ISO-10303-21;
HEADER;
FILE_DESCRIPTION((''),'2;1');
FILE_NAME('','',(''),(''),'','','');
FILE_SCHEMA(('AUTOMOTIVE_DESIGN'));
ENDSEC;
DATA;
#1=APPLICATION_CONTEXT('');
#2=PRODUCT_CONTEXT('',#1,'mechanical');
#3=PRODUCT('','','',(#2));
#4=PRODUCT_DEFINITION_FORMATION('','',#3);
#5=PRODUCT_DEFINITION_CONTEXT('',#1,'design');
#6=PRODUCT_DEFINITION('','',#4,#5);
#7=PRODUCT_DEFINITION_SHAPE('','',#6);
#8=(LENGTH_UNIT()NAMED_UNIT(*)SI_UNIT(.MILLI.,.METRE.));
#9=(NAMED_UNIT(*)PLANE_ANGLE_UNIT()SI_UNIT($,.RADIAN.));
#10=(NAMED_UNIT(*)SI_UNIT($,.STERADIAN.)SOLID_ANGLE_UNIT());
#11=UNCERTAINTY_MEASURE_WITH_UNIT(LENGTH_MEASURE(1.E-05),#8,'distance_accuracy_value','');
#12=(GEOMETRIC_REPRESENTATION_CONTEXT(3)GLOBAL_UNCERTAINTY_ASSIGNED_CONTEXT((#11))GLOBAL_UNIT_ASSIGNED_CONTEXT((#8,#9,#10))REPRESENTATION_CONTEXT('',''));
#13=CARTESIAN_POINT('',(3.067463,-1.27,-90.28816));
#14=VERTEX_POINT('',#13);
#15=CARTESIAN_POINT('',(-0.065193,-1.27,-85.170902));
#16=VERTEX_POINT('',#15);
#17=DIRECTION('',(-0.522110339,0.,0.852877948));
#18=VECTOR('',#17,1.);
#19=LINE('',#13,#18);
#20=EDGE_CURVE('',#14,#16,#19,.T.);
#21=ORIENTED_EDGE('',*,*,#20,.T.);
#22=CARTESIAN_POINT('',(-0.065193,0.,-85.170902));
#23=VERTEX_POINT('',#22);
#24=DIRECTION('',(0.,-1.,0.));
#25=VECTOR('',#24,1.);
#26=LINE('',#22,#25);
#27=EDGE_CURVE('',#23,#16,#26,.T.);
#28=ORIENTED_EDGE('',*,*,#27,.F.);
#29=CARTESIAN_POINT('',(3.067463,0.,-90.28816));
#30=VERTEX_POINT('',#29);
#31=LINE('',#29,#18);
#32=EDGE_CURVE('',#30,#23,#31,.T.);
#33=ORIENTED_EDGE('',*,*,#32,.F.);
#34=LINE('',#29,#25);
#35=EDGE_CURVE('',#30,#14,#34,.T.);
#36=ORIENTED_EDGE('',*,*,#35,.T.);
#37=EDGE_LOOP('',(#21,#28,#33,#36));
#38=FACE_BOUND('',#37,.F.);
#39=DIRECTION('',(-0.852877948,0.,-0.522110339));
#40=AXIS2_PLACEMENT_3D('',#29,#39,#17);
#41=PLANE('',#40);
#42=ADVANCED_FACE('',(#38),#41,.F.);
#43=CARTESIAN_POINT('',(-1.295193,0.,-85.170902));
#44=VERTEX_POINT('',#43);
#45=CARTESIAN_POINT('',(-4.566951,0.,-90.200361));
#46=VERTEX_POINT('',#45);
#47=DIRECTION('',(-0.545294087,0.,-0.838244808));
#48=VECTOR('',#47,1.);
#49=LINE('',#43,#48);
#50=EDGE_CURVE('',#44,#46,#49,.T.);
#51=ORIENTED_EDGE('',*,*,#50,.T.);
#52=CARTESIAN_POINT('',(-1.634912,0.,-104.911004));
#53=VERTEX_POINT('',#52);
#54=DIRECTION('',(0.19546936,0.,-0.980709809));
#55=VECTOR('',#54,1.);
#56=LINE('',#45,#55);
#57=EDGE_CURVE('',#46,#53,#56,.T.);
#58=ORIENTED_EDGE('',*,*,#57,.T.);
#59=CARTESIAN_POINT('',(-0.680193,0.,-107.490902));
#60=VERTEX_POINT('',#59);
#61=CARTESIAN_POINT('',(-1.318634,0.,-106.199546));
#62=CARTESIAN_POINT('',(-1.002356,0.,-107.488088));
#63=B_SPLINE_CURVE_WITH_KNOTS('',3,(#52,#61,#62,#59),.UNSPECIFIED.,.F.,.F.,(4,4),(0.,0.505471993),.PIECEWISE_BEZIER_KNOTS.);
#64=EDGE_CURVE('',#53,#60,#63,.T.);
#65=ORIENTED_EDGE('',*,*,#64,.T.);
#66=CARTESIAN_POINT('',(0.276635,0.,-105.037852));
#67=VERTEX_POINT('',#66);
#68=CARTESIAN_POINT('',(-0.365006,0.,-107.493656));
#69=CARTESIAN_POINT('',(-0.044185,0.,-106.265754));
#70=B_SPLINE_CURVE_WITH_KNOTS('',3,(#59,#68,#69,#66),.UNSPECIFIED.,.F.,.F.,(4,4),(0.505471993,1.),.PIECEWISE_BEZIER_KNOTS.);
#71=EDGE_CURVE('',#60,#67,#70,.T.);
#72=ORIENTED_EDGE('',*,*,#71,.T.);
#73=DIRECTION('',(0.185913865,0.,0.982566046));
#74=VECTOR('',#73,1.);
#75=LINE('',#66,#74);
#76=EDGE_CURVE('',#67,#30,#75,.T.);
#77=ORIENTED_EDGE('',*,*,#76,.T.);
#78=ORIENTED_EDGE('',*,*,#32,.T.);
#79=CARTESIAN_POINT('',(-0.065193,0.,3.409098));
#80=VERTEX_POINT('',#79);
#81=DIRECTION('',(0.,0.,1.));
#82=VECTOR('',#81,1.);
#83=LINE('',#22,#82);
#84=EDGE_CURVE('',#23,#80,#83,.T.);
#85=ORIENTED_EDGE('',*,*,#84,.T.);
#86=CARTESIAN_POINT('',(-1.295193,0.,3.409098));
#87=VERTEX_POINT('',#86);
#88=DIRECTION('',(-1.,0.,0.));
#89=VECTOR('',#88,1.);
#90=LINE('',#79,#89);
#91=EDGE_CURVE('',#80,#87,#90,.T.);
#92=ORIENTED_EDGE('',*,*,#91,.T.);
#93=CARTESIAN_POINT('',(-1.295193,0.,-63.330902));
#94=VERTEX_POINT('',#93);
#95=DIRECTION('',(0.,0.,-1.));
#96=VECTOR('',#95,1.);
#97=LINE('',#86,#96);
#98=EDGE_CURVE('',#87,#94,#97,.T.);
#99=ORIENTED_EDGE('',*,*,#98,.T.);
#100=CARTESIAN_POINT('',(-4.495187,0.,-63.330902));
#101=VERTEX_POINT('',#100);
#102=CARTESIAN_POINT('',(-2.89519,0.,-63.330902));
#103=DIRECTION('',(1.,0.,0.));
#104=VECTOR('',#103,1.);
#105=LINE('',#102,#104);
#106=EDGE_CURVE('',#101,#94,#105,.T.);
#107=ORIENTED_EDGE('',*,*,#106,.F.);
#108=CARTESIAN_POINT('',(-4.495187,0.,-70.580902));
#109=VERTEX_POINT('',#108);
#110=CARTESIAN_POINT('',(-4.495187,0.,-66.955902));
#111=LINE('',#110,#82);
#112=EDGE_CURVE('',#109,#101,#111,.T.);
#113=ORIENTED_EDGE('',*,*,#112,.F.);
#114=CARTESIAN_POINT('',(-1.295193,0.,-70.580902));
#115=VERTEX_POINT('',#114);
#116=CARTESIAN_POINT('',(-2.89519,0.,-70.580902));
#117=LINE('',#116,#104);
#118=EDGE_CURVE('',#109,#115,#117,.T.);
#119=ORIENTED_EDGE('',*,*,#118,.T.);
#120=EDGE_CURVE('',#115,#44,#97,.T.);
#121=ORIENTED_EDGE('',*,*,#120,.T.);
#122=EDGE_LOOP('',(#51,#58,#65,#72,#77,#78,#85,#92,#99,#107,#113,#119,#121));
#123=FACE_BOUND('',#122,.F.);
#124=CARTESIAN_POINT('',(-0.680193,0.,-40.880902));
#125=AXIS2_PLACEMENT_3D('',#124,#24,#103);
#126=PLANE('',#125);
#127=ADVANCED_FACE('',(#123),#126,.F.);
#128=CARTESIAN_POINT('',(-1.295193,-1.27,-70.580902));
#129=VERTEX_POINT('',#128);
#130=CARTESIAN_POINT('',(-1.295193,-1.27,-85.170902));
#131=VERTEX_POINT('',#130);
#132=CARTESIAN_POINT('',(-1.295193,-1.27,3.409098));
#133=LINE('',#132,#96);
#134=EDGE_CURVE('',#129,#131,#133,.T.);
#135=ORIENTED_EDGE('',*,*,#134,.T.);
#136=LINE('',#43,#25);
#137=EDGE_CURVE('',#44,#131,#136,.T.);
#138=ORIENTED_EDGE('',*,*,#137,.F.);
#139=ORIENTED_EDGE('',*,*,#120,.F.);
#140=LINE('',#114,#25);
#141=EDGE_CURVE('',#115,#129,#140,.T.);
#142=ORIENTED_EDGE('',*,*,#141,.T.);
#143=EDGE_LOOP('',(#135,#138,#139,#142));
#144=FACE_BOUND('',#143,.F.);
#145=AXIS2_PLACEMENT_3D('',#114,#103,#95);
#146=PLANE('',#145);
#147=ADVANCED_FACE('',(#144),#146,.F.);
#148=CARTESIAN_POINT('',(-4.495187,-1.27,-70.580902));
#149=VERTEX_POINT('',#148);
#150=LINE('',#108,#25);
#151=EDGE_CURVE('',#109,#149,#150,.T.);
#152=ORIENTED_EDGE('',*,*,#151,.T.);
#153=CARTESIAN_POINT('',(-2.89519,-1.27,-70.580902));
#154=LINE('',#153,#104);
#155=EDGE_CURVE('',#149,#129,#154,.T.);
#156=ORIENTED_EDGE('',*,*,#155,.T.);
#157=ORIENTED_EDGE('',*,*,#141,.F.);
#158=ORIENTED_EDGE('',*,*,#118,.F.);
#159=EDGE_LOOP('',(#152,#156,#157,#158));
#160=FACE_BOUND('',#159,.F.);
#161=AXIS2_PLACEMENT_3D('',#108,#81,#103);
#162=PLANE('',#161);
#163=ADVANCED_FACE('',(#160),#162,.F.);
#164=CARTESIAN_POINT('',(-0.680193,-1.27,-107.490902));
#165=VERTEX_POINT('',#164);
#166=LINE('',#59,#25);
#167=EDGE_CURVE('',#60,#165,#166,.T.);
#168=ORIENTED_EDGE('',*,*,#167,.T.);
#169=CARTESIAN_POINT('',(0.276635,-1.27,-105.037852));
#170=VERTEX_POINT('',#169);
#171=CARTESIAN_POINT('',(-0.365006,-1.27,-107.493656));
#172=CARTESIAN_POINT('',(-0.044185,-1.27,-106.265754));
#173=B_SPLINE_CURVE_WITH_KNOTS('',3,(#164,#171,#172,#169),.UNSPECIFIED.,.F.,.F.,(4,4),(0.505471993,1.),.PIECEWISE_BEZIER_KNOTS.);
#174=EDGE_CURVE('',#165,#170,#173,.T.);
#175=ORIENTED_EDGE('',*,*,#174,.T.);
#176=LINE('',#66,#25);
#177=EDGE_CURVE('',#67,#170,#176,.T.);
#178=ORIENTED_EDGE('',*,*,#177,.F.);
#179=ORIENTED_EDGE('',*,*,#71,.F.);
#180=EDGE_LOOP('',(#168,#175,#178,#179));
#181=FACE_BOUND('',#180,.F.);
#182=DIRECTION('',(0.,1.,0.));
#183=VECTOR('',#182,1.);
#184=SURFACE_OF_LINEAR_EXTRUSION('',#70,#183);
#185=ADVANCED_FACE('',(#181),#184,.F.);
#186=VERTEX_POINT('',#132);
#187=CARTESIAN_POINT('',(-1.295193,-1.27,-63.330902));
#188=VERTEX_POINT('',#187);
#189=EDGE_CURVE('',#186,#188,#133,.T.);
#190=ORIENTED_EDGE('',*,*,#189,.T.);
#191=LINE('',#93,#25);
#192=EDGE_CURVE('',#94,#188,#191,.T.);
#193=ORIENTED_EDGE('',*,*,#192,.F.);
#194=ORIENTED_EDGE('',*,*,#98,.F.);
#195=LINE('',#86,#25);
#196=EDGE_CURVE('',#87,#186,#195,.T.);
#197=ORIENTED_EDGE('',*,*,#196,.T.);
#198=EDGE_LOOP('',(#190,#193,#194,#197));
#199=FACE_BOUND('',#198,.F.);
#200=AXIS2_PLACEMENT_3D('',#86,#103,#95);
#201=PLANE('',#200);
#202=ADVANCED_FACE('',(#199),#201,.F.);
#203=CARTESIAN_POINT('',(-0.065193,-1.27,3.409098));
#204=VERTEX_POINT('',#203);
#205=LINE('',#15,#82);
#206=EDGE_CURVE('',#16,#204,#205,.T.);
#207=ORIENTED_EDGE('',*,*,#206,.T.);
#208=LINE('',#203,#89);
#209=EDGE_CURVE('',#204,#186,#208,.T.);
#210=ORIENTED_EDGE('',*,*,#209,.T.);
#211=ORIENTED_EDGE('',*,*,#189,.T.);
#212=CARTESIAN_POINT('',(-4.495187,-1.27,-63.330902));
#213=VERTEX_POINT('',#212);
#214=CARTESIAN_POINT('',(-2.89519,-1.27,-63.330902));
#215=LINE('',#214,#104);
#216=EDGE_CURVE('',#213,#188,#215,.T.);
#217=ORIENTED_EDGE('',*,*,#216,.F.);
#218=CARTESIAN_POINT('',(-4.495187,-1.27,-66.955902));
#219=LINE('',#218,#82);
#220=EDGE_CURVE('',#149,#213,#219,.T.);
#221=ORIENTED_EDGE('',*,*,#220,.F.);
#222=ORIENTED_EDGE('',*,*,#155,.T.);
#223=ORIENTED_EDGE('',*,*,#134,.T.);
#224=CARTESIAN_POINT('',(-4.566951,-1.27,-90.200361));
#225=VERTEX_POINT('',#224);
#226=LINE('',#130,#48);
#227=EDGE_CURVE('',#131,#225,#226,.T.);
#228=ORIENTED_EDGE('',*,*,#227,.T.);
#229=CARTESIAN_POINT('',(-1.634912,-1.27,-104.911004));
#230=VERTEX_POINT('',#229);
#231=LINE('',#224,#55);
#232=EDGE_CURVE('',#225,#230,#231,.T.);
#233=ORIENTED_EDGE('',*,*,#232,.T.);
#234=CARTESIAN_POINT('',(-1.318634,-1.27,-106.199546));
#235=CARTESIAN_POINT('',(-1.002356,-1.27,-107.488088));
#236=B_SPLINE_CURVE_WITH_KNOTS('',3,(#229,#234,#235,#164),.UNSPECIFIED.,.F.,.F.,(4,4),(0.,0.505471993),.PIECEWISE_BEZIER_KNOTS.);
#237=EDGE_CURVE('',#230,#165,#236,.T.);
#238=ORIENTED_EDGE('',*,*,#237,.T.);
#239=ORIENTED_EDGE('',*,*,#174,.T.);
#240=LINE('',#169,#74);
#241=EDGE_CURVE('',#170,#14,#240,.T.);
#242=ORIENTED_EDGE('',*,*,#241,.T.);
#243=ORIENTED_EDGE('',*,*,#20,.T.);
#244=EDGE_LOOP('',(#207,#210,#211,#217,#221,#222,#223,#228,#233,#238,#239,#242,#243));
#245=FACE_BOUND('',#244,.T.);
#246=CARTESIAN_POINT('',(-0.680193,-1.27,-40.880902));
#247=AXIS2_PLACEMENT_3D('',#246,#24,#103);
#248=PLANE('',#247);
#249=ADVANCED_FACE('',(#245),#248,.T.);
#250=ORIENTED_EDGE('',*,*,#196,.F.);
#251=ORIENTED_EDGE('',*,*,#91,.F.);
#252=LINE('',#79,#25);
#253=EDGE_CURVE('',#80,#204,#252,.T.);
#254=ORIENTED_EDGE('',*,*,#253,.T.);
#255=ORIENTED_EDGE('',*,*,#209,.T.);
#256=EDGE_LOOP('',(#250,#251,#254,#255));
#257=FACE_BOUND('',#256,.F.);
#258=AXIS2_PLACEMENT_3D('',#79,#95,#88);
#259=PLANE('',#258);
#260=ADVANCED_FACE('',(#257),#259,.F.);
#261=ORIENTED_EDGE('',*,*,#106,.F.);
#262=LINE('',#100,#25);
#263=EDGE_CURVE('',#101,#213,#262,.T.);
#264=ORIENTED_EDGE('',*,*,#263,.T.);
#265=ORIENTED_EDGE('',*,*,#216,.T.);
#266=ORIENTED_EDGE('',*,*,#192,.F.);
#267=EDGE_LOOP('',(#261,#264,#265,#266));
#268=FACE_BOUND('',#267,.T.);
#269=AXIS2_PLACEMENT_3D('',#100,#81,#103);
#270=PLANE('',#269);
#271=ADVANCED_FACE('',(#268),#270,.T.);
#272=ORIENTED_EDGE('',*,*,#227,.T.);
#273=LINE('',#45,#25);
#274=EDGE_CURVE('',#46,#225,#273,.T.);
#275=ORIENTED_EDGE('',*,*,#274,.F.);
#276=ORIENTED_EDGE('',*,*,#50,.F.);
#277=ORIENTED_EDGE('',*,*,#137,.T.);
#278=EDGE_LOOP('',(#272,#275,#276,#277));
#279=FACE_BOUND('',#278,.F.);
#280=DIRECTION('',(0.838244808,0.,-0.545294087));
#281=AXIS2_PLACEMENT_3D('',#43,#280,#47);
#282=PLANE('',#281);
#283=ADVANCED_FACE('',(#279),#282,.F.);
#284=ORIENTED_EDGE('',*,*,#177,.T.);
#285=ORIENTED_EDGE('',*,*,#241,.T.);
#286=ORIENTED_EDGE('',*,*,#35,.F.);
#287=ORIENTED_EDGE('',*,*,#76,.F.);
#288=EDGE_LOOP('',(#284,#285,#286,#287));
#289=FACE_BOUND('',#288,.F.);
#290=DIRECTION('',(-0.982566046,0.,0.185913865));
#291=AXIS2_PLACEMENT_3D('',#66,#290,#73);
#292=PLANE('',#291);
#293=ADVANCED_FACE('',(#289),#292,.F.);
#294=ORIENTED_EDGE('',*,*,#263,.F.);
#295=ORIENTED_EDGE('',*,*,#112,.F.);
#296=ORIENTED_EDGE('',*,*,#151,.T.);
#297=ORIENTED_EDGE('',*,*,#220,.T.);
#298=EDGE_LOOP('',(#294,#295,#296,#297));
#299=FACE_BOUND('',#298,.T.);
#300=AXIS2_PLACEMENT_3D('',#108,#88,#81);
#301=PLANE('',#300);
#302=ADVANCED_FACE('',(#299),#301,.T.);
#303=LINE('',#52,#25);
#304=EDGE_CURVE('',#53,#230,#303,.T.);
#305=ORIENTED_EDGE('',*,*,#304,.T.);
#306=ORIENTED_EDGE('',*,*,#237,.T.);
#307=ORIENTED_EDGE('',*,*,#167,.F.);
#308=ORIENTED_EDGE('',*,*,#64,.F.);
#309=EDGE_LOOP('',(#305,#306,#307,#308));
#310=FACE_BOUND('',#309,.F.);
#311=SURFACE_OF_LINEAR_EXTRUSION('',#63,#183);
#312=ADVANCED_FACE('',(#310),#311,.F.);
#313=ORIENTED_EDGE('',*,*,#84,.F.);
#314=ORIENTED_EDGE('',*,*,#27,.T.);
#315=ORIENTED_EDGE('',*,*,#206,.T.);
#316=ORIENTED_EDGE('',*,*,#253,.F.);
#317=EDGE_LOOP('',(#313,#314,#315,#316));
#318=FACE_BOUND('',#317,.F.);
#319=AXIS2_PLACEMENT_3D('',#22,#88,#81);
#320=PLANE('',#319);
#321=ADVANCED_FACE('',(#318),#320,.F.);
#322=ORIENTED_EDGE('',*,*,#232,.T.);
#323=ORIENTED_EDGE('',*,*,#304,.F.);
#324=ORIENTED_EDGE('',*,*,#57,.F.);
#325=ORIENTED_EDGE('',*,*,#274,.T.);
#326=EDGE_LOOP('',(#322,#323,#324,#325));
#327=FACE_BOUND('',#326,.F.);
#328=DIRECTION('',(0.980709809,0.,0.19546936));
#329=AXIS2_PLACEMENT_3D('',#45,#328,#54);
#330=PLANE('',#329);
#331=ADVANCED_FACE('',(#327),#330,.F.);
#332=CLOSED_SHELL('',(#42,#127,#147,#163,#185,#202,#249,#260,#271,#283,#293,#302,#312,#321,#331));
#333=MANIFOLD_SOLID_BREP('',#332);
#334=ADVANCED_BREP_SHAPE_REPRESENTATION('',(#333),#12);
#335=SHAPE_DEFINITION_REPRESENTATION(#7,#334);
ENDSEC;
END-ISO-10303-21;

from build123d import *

# Parameters (mm, degrees)
F0_W     = 3.1999936
F0_H     = 7.25000074
F1_DEPTH = 1.27


with BuildPart() as f1:
    # F0 (on Front) → F1 (new body)
    with BuildSketch(Plane.XZ):
        Polygon((-0.065193265, 3.4090982191), (-1.295193345, 3.4090982191), (-1.295193345, -63.3309016509), (-1.295193345, -70.5809023909), (-1.295193345, -85.1709024209), (-0.680193305, -85.1709024209), (-0.065193265, -85.1709024209), align=None)
        with Locations((-2.895190145, -66.9559020209)):
            Rectangle(F0_W, F0_H)
        Polygon((-0.680193305, -104.9110038356), (-0.680193305, -85.1709024209), (-1.295193345, -85.1709024209), (-4.5669513225, -90.2003612126), (-1.6349118244, -104.9110038356), align=None)
        Polygon((3.0674625036, -90.2881598735), (-0.065193265, -85.1709024209), (-0.680193305, -85.1709024209), (-0.680193305, -104.9110038356), (0.2766351171, -105.037851818), align=None)
        with BuildLine():
            Line((0.2766351171, -105.037851818), (-0.680193305, -104.9110038356))
            Line((-0.680193305, -104.9110038356), (-0.680193305, -107.4909024849))
            add(Edge.make_bspline(
                [(-0.680193305, -107.4909024849), (-0.3650057018, -107.493656038), (-0.0441852923, -106.265753928), (0.2766351171, -105.037851818)],
                knots=[0.5054719927, 0.5054719927, 0.5054719927, 0.5054719927, 1, 1, 1, 1], degree=3))
        make_face()
        with BuildLine():
            Line((-0.680193305, -107.4909024849), (-0.680193305, -104.9110038356))
            Line((-0.680193305, -104.9110038356), (-1.6349118244, -104.9110038356))
            add(Edge.make_bspline(
                [(-1.6349118244, -104.9110038356), (-1.3186339428, -106.1995459155), (-1.0023560613, -107.4880879954), (-0.680193305, -107.4909024849)],
                knots=[0, 0, 0, 0, 0.5054719927, 0.5054719927, 0.5054719927, 0.5054719927], degree=3))
        make_face()
    extrude(amount=F1_DEPTH)


solid = f1.part
